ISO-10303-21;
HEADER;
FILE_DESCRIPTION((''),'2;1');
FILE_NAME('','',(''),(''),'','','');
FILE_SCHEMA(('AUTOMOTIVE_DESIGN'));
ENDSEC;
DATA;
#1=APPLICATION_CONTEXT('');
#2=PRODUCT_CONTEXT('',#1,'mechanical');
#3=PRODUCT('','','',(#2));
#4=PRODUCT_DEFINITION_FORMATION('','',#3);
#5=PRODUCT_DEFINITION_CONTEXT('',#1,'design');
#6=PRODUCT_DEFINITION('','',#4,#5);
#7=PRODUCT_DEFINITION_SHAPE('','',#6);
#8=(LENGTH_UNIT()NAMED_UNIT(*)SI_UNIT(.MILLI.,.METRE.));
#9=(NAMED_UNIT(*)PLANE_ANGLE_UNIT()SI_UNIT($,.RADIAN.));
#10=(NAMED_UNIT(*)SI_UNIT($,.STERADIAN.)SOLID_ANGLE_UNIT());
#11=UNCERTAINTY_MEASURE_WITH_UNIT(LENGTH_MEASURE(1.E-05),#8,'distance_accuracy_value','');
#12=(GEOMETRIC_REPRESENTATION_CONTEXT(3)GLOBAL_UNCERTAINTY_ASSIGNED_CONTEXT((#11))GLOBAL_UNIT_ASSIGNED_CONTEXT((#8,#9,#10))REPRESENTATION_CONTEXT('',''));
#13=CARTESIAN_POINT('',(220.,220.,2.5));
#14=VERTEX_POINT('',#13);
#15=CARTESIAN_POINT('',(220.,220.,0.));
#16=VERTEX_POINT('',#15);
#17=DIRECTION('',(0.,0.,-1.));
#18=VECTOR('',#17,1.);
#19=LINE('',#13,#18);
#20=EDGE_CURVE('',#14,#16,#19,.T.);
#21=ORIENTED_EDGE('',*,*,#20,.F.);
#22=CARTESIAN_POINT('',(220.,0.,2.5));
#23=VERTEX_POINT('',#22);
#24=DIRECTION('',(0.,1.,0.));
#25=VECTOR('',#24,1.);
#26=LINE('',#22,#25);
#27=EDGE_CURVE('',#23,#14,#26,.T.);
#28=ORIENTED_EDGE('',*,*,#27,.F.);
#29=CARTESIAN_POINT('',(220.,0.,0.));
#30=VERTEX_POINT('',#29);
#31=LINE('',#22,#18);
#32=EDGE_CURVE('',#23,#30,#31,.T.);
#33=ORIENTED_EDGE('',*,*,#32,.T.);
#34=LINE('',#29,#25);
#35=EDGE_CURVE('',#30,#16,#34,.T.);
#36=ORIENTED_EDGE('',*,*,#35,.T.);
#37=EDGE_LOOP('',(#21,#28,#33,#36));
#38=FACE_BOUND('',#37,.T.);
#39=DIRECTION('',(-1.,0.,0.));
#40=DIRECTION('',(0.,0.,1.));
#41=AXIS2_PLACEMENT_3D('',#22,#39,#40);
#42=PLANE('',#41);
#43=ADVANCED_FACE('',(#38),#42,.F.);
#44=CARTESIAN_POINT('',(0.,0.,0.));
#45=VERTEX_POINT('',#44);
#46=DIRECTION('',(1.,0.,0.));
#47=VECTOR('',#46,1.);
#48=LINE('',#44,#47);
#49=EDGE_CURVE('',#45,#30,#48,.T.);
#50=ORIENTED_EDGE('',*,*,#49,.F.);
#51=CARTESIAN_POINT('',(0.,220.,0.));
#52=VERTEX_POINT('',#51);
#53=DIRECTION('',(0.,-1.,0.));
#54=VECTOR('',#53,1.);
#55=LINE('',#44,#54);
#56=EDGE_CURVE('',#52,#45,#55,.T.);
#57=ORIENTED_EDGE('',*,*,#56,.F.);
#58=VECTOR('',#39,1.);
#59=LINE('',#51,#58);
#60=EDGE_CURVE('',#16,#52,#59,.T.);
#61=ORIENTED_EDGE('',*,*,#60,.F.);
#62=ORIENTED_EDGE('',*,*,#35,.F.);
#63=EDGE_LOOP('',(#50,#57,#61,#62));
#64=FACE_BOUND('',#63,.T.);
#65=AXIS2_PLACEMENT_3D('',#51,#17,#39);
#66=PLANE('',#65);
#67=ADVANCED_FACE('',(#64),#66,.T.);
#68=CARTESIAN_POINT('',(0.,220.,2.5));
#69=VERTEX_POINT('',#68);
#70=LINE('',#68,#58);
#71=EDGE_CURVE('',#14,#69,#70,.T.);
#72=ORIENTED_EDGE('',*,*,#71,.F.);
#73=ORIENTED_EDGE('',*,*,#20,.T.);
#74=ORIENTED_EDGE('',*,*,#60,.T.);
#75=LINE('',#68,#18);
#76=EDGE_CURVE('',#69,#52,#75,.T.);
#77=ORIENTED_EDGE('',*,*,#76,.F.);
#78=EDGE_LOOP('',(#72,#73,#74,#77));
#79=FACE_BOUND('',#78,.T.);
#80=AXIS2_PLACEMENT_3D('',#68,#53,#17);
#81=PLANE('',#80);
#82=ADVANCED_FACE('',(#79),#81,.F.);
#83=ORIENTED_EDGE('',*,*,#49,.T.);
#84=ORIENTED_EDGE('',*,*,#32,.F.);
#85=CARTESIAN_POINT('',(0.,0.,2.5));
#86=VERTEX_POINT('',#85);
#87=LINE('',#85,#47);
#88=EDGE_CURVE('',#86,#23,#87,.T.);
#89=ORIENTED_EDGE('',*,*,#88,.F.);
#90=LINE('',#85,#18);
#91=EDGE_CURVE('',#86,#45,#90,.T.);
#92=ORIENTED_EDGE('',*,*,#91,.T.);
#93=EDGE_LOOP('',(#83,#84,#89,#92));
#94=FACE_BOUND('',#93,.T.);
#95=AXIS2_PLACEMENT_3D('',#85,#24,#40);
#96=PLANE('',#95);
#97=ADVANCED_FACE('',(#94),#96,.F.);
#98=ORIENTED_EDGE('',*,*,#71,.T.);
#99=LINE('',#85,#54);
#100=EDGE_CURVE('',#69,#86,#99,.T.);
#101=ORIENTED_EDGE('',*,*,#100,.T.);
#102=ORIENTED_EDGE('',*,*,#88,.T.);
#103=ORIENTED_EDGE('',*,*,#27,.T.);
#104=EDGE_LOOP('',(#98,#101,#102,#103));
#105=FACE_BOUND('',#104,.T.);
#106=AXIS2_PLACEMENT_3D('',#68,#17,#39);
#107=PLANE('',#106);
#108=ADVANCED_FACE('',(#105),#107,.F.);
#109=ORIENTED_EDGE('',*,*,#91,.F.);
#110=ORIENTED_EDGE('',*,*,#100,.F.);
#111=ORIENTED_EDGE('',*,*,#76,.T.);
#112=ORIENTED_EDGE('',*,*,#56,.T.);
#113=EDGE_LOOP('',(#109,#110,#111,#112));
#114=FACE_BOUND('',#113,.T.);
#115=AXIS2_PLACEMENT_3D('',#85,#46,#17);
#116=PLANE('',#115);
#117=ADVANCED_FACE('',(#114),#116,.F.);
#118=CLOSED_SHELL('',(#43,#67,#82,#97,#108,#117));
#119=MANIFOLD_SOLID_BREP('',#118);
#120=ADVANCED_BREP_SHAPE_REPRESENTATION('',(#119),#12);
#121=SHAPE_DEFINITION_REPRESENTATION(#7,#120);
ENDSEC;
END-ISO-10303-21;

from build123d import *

# Parameters (mm, degrees)
ESQUISSE1_W        = 220
ESQUISSE1_H        = 220
BOSS_EXTRU_1_DEPTH = 2.5


with BuildPart() as part:
    # Esquisse1 → Boss.-Extru.1 (new body)
    with BuildSketch(Plane.XY):
        with Locations((110, 110)):
            Rectangle(ESQUISSE1_W, ESQUISSE1_H)
    extrude(amount=BOSS_EXTRU_1_DEPTH)


solid = part.part
